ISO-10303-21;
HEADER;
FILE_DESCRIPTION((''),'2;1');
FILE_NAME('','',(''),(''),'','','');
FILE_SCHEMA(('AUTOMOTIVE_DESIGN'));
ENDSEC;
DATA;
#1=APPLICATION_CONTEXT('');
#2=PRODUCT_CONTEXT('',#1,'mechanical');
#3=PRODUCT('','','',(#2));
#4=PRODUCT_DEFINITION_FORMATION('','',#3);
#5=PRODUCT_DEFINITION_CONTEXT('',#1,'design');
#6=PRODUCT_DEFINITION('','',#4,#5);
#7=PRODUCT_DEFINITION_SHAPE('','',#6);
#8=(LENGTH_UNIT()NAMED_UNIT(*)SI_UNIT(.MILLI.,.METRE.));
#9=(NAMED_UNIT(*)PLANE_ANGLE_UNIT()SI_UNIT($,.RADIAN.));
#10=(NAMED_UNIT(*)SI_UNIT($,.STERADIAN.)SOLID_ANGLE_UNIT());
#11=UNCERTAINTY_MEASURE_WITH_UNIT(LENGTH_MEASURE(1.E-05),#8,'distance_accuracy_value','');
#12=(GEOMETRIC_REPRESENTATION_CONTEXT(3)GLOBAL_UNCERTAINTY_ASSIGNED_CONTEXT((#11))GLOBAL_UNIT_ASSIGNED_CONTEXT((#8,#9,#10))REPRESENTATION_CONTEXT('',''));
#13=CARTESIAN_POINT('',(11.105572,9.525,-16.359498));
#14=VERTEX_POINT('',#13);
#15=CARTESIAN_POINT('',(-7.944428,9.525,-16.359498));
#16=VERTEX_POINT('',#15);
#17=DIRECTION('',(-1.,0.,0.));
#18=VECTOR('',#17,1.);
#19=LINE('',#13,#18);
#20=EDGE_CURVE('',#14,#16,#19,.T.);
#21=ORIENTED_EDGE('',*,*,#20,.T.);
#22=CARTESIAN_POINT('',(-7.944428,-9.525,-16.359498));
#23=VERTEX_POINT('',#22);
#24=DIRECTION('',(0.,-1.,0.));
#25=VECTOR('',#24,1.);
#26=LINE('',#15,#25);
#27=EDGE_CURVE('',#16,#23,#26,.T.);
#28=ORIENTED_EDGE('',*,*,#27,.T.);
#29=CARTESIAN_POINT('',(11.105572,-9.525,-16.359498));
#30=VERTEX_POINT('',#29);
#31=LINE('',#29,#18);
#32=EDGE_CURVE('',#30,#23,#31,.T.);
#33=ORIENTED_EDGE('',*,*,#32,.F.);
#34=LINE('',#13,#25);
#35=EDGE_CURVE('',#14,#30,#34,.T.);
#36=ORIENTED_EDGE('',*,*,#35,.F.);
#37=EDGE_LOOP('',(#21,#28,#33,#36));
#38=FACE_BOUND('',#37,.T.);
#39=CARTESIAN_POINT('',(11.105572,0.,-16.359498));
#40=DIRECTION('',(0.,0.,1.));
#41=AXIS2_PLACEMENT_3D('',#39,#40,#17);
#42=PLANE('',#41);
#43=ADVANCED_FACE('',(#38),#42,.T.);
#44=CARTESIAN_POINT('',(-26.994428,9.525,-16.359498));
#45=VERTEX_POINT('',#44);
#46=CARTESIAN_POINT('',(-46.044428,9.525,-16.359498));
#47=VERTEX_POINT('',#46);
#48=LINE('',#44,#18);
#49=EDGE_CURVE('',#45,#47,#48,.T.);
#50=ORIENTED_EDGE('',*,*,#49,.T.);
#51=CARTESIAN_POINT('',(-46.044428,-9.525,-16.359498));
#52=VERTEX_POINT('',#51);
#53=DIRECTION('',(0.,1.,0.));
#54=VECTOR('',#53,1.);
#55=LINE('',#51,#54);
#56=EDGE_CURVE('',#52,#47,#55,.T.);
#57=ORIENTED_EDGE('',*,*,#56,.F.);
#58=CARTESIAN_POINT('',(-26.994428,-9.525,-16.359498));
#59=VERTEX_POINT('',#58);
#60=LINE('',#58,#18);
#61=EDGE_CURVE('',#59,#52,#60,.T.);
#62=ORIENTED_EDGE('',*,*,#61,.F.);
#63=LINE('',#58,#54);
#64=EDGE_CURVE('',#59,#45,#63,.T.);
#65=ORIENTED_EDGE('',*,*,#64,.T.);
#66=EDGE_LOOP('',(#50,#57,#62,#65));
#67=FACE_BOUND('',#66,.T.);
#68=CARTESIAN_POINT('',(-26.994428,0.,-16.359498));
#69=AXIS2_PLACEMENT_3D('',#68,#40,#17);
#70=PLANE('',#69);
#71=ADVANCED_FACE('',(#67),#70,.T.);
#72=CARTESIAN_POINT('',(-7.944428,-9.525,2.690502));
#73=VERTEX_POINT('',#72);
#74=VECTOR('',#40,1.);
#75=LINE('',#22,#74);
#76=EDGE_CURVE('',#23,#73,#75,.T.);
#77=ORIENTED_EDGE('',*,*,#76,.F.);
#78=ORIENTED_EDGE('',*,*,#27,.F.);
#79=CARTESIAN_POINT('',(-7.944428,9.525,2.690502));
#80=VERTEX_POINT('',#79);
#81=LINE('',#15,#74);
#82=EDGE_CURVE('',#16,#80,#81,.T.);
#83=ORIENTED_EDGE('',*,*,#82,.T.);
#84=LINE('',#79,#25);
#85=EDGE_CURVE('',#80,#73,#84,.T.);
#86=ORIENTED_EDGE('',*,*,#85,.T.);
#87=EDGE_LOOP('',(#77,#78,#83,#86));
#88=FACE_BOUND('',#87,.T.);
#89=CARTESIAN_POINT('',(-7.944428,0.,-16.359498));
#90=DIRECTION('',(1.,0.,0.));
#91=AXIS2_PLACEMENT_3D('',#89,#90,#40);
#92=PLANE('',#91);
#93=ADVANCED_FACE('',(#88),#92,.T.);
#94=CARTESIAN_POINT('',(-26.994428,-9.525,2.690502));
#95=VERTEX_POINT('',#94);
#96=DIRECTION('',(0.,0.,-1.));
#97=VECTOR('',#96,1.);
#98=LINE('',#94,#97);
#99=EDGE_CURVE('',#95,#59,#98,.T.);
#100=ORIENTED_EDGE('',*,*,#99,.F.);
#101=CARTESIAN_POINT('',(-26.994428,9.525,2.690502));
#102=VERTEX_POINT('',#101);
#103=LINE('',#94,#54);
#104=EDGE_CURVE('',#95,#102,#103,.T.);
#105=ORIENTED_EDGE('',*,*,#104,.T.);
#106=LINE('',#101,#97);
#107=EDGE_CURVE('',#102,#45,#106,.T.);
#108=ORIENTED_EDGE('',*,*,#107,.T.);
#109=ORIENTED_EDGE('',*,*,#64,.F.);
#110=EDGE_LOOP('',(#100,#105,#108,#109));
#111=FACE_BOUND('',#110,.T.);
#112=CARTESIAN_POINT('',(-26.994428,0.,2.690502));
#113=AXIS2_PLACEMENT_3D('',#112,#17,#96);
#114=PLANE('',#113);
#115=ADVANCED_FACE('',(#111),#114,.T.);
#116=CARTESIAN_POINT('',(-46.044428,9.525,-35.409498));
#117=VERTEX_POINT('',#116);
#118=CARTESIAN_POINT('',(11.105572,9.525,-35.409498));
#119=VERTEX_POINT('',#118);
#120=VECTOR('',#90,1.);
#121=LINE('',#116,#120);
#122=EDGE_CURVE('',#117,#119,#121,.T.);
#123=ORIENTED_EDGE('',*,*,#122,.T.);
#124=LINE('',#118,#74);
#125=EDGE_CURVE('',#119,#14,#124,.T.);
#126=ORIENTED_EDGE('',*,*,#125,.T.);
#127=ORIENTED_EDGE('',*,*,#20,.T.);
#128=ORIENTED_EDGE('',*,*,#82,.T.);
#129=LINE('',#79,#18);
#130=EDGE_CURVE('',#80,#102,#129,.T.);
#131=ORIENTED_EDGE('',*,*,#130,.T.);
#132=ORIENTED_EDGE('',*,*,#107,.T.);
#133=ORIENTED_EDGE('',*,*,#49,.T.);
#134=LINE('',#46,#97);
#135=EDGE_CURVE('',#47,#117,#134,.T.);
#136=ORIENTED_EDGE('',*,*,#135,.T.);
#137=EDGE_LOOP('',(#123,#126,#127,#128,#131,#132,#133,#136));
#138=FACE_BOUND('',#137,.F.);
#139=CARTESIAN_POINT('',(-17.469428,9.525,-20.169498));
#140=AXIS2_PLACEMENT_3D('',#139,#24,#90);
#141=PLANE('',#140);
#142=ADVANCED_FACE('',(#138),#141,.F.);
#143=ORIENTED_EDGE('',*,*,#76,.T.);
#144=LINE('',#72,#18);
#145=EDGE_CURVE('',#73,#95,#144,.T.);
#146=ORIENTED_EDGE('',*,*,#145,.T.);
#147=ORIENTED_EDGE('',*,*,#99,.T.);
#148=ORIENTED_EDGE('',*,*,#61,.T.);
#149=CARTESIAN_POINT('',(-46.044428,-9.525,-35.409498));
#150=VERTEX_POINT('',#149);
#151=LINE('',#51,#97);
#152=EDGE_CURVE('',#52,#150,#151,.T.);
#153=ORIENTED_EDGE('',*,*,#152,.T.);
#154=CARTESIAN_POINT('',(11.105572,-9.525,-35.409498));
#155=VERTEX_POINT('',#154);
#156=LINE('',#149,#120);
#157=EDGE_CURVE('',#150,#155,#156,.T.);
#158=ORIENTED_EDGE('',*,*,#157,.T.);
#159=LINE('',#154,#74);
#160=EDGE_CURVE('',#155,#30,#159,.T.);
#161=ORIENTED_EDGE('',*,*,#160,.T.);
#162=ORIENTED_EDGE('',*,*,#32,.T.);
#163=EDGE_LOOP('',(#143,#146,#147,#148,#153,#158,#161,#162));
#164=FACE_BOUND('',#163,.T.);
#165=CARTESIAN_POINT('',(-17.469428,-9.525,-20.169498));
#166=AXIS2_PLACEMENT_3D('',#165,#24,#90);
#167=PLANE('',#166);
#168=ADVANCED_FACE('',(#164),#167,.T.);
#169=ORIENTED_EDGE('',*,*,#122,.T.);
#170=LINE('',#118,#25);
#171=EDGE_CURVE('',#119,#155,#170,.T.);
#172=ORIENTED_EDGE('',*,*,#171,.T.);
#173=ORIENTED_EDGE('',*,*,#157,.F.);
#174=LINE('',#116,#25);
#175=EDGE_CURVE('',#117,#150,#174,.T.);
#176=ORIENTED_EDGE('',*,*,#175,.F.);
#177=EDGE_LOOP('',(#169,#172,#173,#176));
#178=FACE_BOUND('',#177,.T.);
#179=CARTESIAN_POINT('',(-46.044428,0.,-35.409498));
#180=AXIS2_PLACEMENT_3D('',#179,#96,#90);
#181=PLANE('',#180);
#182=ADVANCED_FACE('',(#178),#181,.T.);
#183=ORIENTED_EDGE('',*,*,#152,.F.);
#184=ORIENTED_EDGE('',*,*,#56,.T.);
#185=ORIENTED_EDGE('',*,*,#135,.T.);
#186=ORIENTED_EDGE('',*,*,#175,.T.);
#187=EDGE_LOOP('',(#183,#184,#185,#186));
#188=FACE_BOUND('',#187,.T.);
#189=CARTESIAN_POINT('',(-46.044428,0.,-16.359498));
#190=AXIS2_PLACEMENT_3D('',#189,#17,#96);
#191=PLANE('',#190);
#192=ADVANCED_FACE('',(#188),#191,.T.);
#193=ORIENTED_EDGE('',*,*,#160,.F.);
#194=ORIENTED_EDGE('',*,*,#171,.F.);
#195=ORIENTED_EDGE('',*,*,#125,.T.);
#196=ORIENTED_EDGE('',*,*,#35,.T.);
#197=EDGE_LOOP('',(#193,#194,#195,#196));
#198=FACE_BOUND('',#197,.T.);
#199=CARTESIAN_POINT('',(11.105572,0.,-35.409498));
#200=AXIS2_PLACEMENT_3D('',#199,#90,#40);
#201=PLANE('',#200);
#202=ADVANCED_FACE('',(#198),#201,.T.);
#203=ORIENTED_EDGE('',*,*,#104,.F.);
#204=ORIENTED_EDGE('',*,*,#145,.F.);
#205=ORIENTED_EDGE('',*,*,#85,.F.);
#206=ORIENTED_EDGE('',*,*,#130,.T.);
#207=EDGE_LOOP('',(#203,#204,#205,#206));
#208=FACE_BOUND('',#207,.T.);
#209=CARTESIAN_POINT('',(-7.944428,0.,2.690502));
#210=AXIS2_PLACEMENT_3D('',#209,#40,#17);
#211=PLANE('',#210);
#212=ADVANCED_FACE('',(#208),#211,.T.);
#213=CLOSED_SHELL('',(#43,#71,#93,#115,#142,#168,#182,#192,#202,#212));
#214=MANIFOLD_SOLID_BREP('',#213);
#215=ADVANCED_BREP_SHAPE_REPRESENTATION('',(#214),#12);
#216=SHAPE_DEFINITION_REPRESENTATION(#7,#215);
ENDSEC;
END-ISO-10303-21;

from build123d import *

# Parameters (mm, degrees)
F1_DEPTH = 9.525
F2_DEPTH = 9.525


with BuildPart() as f1:
    # F0 (on Front) → F1 (new body, symmetric)
    with BuildSketch(Plane.XZ):
        Polygon((-46.044428, -16.359498), (-46.044428, -35.409498), (11.105572, -35.409498), (11.105572, -16.359498), (-7.944428, -16.359498), (-7.944428, 2.690502), (-26.994428, 2.690502), (-26.994428, -16.359498), align=None)
    extrude(amount=F1_DEPTH, both=True)

    # F0 (on Front) → F2 (join, symmetric)
    with BuildSketch(Plane.XZ):
        Polygon((-46.044428, -16.359498), (-46.044428, -35.409498), (11.105572, -35.409498), (11.105572, -16.359498), (-7.944428, -16.359498), (-7.944428, 2.690502), (-26.994428, 2.690502), (-26.994428, -16.359498), align=None)
    extrude(amount=F2_DEPTH, both=True)


solid = f1.part
